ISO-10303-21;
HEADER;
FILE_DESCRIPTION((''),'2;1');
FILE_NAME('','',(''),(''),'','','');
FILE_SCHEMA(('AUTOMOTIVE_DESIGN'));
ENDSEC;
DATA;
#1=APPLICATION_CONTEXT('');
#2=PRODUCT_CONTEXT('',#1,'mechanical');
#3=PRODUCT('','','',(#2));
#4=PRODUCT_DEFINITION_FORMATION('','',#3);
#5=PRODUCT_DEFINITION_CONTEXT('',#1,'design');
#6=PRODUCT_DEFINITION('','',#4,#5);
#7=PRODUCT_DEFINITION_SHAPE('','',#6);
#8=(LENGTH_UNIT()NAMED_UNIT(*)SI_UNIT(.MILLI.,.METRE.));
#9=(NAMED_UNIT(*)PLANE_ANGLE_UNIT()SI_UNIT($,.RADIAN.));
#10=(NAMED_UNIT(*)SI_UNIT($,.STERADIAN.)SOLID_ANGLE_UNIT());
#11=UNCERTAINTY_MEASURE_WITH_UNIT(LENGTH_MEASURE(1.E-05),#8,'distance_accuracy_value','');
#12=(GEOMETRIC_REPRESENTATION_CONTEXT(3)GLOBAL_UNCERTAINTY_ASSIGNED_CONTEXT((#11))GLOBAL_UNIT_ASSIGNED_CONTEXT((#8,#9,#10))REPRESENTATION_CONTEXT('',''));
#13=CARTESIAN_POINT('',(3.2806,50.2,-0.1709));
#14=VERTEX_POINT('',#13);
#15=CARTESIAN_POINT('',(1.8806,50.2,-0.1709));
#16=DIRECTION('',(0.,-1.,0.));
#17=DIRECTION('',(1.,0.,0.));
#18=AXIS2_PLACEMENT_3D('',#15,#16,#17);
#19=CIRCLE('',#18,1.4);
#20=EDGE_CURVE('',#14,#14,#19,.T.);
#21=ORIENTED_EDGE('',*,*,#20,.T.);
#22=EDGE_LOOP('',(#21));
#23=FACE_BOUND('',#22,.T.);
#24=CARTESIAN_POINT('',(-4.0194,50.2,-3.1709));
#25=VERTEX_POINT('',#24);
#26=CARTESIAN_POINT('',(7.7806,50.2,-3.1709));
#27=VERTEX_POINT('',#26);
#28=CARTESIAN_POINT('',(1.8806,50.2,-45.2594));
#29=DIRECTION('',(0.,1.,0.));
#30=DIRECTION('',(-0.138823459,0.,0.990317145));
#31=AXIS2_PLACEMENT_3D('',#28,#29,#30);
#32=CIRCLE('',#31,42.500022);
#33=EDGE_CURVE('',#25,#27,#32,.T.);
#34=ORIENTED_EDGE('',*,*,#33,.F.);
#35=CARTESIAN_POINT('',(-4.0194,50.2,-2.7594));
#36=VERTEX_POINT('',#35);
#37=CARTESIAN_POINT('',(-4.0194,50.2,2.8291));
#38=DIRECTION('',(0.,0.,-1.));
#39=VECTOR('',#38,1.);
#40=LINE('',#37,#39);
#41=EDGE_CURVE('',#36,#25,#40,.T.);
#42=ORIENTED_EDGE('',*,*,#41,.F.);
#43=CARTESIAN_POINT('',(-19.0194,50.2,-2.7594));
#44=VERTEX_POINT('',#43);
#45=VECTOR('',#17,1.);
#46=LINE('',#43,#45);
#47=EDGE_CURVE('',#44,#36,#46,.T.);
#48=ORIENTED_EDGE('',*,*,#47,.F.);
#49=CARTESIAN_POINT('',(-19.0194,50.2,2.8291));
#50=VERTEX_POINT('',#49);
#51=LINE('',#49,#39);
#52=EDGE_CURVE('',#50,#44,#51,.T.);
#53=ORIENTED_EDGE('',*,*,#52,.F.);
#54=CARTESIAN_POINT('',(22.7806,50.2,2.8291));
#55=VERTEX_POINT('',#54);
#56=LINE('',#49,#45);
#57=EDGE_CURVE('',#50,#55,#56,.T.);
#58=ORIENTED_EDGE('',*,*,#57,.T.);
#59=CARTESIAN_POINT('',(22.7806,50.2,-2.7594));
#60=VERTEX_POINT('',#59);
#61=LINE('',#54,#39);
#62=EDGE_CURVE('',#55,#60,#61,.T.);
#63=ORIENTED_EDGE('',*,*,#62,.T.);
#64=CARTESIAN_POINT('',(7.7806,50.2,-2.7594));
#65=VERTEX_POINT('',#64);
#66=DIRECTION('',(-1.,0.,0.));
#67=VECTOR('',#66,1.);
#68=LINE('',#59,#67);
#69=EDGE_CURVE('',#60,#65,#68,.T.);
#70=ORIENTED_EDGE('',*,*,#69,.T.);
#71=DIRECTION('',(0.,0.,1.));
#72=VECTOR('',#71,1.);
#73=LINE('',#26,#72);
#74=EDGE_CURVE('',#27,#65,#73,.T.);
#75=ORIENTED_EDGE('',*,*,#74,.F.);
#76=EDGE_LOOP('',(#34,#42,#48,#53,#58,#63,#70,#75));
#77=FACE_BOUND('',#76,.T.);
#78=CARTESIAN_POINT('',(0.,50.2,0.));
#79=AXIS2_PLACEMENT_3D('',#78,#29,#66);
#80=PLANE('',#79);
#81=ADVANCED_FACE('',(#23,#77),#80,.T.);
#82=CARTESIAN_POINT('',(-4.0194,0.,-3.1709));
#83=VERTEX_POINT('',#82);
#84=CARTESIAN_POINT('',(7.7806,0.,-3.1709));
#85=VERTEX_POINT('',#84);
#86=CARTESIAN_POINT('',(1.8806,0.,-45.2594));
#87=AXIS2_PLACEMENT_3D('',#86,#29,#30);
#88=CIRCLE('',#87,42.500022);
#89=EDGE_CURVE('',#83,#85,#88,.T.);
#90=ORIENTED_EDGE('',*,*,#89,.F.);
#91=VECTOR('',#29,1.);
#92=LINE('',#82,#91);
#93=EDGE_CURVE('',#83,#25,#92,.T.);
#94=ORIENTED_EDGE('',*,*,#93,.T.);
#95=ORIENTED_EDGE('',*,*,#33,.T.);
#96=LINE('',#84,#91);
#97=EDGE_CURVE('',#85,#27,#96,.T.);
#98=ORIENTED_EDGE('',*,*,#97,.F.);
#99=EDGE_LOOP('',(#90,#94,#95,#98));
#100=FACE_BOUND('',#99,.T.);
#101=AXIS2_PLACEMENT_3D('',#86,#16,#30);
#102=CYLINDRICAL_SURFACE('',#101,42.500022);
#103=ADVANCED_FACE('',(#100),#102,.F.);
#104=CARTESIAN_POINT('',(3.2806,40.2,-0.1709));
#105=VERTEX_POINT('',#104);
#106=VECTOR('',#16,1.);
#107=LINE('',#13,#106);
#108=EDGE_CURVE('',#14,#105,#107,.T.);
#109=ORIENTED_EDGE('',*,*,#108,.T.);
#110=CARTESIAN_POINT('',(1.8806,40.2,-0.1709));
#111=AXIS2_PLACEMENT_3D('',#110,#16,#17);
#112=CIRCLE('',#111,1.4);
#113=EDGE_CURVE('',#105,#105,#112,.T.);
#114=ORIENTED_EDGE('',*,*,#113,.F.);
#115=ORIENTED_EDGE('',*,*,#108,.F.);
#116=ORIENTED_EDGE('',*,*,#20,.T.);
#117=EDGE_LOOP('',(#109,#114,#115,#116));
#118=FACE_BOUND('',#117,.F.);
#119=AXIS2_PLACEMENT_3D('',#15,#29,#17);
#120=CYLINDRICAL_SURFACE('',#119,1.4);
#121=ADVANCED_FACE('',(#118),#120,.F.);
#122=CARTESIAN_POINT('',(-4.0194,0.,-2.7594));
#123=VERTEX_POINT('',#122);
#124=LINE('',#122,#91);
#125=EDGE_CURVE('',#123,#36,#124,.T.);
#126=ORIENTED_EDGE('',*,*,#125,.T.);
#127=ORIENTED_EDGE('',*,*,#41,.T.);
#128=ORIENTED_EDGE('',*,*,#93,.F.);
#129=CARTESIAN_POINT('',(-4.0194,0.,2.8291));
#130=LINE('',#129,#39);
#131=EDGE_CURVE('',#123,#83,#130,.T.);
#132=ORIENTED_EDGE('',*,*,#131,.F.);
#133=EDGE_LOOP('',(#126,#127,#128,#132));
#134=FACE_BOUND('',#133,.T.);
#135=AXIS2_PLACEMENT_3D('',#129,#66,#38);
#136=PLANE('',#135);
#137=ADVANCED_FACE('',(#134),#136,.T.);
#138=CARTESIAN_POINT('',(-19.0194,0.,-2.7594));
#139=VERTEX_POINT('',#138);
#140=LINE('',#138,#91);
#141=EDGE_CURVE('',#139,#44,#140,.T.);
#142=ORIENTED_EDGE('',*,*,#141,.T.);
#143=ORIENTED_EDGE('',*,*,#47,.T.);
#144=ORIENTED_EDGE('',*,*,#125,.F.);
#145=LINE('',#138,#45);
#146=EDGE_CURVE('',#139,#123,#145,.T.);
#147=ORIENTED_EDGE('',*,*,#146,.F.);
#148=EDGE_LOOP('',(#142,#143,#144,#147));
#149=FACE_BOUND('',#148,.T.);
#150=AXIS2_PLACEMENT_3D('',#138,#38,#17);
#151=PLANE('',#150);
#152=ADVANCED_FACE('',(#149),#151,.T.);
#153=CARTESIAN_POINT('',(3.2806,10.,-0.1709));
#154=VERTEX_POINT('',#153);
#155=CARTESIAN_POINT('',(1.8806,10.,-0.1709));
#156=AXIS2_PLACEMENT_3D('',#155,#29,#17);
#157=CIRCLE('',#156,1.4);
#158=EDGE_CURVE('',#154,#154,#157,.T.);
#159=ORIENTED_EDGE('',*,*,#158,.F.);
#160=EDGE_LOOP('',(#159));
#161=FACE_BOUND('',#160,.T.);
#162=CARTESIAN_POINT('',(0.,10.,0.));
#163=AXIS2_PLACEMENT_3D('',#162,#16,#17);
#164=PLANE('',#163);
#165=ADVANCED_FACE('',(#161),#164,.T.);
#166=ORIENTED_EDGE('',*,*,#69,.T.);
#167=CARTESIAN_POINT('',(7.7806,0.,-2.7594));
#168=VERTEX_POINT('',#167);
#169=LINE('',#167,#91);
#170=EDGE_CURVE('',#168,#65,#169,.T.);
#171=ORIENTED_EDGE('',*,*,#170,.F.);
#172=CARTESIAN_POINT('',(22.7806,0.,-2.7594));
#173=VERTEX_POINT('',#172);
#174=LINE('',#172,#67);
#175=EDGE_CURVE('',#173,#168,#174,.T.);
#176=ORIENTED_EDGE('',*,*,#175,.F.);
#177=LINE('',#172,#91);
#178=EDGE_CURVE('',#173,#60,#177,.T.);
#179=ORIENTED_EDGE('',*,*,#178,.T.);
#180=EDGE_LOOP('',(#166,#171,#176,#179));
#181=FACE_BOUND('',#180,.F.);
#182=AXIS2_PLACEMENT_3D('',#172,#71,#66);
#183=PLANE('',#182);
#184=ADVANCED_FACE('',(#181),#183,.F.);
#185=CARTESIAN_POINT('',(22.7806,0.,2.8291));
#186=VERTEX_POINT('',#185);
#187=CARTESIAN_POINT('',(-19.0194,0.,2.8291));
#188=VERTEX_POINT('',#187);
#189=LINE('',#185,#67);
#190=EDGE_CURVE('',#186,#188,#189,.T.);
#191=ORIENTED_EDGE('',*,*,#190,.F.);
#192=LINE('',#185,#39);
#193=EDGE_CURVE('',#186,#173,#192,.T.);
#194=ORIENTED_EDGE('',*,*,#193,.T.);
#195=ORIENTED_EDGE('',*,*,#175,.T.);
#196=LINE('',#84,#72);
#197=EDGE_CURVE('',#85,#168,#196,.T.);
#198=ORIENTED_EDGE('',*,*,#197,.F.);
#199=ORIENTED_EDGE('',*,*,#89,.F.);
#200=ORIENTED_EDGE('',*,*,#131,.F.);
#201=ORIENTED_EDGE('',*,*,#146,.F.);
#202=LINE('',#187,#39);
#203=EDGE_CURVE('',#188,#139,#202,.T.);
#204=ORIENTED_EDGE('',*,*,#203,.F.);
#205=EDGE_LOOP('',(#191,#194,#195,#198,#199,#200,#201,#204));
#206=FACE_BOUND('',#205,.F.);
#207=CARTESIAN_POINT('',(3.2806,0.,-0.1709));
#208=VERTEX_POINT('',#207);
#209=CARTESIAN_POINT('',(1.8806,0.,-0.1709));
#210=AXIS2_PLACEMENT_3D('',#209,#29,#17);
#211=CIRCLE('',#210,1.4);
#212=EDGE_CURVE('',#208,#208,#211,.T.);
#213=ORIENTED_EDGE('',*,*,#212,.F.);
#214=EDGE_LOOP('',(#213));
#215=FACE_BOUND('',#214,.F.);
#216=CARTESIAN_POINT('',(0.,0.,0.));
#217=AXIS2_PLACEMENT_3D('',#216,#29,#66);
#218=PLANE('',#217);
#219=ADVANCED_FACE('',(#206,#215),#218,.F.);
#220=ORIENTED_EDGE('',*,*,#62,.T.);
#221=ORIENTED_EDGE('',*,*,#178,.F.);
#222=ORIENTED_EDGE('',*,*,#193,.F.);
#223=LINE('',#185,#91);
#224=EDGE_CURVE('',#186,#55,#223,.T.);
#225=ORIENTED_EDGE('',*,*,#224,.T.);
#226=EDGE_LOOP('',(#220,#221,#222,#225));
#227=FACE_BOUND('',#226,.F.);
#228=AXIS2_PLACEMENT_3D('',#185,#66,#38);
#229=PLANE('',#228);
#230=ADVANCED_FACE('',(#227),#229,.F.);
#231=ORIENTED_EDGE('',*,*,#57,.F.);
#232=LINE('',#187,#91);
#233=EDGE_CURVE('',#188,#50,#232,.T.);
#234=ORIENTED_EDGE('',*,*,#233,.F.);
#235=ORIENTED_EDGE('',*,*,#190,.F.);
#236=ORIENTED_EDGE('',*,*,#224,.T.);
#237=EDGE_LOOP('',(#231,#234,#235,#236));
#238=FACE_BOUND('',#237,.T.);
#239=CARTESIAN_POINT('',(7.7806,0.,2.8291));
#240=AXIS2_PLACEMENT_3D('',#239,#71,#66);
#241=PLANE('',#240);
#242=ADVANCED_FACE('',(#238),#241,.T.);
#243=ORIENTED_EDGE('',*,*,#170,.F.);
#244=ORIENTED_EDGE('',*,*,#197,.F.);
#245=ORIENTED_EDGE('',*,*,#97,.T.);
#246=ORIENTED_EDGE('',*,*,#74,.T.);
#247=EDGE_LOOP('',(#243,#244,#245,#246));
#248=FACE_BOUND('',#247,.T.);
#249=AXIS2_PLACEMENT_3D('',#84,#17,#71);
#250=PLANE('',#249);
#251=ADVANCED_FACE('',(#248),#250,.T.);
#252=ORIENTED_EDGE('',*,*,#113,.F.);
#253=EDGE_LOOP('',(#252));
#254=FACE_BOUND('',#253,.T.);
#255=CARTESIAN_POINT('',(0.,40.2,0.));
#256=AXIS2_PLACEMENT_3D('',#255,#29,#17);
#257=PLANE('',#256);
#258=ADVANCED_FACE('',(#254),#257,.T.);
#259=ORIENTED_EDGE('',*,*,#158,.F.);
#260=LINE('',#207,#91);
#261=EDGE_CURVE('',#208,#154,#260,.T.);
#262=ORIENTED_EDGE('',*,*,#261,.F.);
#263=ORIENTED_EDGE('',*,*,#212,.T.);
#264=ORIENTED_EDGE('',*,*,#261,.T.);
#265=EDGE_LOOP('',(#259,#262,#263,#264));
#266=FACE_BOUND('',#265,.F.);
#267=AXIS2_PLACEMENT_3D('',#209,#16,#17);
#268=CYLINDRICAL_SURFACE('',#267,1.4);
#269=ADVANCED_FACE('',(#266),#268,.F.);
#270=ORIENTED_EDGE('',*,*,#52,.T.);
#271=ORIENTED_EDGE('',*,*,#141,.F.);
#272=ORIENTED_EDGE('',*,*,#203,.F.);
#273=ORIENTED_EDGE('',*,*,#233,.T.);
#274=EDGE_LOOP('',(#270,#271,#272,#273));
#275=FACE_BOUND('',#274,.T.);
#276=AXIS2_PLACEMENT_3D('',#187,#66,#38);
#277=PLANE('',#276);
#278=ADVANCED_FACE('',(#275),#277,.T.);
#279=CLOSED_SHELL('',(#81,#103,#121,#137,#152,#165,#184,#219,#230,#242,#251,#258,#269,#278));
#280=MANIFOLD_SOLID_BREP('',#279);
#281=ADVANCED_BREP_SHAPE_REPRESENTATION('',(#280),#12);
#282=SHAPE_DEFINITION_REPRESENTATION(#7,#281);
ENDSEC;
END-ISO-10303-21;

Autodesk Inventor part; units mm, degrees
ref_plane "YZ Plane" through (0, 0, 0) normal (1, 0, 0) x (0, 1, 0)
ref_plane "XZ Plane" through (0, 0, 0) normal (0, 1, 0) x (-1, 0, 0)
sketch "Эскиз1" plane through (0, 0, 0) normal (0, 1, 0) x (-1, 0, 0)
  arc A0 (4.0194, -3.1709) -> (-7.7806, -3.1709) centre (-1.8806, -45.2594) ccw
  line L0 (-7.7806, -3.1709) -> (-7.7806, 2.8291)
  line L1 (-7.7806, 2.8291) -> (4.0194, 2.8291)
  line L2 (4.0194, 2.8291) -> (4.0194, -3.1709)
  point P0 (0, -39)
  dimension "d1" = 6
  dimension "d12" = 11.8
extrude "Выдавливание1" add sketch "Эскиз1" along normal blind 50.2
sketch "Эскиз2" plane through (0, 50.2, 0) normal (0, 1, 0) x (1, 0, 0)
  line L0 (-4.0194, -2.8291) -> (7.7806, -2.8291) projected
  line L1 (1.8806, -2.8291) -> (1.8806, 0.1709)
  circle A0 centre (1.8806, 0.1709) radius 1.4
  point P0 (0, 0)
  dimension "d5" = 3
  dimension "d6" = 2.8
extrude "Выдавливание2" cut sketch "Эскиз2" against normal blind 10
sketch "Эскиз3" plane through (0, 0, 0) normal (0, -1, 0) x (1, 0, 0)
  line L0 (-4.0194, 2.8291) -> (7.7806, 2.8291) projected
  line L1 (1.8806, 2.8291) -> (1.8806, -0.1709)
  circle A0 centre (1.8806, -0.1709) radius 1.4
  point P0 (0, 0)
  dimension "d9" = 3
extrude "Выдавливание3" cut sketch "Эскиз3" against normal blind 10
sketch "Эскиз4" plane through (0, 0, 0) normal (0, -1, 0) x (1, 0, 0)
  arc A0 (7.7806, -3.1709) -> (-4.0194, -3.1709) centre (1.8806, -45.2594) ccw projected
  line L0 (1.8806, -2.7594) -> (-4.0194, -2.7594)
  line L1 (-4.0194, -3.1709) -> (-4.0194, 2.8291) projected
  line L2 (-4.0194, 2.8291) -> (-19.0194, 2.8291)
  line L3 (-19.0194, 2.8291) -> (-19.0194, -2.7594)
  line L4 (-19.0194, -2.7594) -> (-4.0194, -2.7594)
  line L5 (-4.0194, -2.7594) -> (-4.0194, 2.8291)
  line L6 (7.7806, 2.8291) -> (7.7806, -3.1709) projected
  line L7 (7.7806, 2.8291) -> (22.7806, 2.8291)
  line L8 (22.7806, 2.8291) -> (22.7806, -2.7594)
  line L9 (22.7806, -2.7594) -> (7.7806, -2.7594)
  line L10 (7.7806, -2.7594) -> (7.7806, 2.8291)
  point P0 (0, 0)
  dimension "d13" = 15
  dimension "d16" = 15
extrude "Выдавливание4" add sketch "Эскиз4" against normal up to surface (50.2 mm away) contours L4 L3 L2 L1 | L6 L7 L8 L9
ref_plane "РабПлоскость1" through (0.4806, 50.2, -0.1709) normal (-1, 0, 0) x (0, -1, 0)
properties part number "joint3_rot_con" material "Пластик АБС"
